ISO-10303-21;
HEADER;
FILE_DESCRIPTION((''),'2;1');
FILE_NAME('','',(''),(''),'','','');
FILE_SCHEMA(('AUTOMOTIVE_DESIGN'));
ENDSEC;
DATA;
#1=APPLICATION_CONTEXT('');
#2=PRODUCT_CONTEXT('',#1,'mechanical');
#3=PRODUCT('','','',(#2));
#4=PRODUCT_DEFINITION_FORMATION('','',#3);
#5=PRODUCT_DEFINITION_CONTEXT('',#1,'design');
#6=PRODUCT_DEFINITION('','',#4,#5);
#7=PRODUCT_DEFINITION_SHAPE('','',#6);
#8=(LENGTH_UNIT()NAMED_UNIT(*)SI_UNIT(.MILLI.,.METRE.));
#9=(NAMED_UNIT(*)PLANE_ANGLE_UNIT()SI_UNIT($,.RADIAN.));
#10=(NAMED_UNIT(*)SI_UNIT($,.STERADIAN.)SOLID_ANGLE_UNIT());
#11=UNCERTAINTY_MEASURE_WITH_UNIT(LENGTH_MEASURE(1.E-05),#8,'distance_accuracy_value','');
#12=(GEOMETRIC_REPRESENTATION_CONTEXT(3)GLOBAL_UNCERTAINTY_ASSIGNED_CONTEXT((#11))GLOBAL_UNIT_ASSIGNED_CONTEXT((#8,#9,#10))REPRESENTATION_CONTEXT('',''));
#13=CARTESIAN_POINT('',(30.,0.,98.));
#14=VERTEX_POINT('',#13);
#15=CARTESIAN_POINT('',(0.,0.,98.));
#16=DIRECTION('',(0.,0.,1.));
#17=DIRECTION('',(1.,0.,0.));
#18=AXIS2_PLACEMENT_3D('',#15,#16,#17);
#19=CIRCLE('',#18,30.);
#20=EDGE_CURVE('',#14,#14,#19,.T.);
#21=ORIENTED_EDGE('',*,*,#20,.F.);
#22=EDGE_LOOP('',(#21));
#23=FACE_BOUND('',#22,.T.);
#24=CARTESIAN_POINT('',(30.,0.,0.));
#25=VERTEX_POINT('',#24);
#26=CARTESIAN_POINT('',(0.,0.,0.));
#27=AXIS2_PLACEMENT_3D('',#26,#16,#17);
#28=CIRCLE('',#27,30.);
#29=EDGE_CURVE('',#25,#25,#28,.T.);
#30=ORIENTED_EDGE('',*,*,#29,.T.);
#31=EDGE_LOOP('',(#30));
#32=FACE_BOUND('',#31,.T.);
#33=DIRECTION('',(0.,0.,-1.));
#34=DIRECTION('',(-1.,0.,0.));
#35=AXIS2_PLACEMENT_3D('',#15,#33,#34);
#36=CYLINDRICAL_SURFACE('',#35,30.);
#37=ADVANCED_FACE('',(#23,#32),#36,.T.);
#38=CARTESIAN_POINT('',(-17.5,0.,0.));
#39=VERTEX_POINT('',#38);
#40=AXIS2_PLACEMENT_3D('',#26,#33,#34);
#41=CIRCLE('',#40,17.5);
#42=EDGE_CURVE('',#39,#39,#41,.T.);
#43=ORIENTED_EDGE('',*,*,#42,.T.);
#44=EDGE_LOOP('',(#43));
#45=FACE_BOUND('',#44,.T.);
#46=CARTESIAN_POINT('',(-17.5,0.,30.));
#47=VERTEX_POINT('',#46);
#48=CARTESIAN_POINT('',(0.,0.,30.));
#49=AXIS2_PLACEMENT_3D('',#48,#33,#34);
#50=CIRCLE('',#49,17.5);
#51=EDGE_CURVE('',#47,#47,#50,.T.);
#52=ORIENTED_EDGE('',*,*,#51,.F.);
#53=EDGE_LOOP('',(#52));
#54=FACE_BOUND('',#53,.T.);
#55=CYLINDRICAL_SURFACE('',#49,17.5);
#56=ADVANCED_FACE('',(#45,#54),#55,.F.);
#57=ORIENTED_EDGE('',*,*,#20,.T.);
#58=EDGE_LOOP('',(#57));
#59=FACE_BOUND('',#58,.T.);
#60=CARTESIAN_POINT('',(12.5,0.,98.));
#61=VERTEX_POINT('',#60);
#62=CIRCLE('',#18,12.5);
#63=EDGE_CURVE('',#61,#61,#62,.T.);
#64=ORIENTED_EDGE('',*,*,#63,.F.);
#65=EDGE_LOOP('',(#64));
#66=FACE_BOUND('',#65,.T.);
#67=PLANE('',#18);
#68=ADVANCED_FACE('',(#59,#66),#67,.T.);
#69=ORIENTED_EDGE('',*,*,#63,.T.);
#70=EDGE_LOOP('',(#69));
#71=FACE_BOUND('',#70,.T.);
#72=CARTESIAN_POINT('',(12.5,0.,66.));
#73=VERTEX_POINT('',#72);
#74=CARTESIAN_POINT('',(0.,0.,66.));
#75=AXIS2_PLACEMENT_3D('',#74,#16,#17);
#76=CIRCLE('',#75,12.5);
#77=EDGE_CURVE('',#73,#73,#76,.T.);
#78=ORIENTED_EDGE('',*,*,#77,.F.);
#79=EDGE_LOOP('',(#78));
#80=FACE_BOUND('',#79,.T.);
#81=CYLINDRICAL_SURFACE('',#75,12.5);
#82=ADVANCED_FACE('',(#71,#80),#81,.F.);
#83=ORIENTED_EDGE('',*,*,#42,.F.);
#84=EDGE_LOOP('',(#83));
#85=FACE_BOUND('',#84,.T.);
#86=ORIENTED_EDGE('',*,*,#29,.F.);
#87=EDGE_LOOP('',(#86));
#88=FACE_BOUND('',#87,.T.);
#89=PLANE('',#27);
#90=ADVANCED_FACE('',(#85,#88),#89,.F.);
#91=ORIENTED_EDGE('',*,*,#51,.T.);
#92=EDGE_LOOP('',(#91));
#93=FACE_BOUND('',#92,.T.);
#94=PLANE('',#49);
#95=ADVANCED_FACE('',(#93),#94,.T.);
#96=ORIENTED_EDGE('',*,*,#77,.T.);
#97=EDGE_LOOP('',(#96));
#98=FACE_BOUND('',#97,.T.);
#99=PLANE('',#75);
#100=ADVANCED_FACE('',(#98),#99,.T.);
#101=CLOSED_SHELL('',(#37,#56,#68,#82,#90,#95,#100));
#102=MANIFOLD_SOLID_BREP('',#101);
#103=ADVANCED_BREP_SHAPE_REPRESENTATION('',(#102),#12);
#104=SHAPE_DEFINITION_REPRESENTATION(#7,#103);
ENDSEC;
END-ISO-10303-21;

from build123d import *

# Parameters (mm, degrees)
SKETCH_1_R          = 30
EXTRUDE_1_DEPTH     = 98
SKETCH_2_R          = 12.5
CUT_EXTRUDE_1_DEPTH = 32
SKETCH_3_R          = 17.5
CUT_EXTRUDE_2_DEPTH = 30


with BuildPart() as part:
    # 草图1 → 凸台-拉伸1 (new body)
    with BuildSketch(Plane.XY):
        Circle(SKETCH_1_R)
    extrude(amount=EXTRUDE_1_DEPTH)

    # 草图2 → 切除-拉伸1 (cut)
    with BuildSketch(Plane.XY.offset(98)):
        Circle(SKETCH_2_R)
    extrude(amount=-CUT_EXTRUDE_1_DEPTH, mode=Mode.SUBTRACT)

    # 草图3 → 切除-拉伸2 (cut)
    with BuildSketch(Plane(origin=(0, 0, 0), x_dir=(-1, 0, 0), z_dir=(0, 0, -1))):
        Circle(SKETCH_3_R)
    extrude(amount=-CUT_EXTRUDE_2_DEPTH, mode=Mode.SUBTRACT)


solid = part.part
